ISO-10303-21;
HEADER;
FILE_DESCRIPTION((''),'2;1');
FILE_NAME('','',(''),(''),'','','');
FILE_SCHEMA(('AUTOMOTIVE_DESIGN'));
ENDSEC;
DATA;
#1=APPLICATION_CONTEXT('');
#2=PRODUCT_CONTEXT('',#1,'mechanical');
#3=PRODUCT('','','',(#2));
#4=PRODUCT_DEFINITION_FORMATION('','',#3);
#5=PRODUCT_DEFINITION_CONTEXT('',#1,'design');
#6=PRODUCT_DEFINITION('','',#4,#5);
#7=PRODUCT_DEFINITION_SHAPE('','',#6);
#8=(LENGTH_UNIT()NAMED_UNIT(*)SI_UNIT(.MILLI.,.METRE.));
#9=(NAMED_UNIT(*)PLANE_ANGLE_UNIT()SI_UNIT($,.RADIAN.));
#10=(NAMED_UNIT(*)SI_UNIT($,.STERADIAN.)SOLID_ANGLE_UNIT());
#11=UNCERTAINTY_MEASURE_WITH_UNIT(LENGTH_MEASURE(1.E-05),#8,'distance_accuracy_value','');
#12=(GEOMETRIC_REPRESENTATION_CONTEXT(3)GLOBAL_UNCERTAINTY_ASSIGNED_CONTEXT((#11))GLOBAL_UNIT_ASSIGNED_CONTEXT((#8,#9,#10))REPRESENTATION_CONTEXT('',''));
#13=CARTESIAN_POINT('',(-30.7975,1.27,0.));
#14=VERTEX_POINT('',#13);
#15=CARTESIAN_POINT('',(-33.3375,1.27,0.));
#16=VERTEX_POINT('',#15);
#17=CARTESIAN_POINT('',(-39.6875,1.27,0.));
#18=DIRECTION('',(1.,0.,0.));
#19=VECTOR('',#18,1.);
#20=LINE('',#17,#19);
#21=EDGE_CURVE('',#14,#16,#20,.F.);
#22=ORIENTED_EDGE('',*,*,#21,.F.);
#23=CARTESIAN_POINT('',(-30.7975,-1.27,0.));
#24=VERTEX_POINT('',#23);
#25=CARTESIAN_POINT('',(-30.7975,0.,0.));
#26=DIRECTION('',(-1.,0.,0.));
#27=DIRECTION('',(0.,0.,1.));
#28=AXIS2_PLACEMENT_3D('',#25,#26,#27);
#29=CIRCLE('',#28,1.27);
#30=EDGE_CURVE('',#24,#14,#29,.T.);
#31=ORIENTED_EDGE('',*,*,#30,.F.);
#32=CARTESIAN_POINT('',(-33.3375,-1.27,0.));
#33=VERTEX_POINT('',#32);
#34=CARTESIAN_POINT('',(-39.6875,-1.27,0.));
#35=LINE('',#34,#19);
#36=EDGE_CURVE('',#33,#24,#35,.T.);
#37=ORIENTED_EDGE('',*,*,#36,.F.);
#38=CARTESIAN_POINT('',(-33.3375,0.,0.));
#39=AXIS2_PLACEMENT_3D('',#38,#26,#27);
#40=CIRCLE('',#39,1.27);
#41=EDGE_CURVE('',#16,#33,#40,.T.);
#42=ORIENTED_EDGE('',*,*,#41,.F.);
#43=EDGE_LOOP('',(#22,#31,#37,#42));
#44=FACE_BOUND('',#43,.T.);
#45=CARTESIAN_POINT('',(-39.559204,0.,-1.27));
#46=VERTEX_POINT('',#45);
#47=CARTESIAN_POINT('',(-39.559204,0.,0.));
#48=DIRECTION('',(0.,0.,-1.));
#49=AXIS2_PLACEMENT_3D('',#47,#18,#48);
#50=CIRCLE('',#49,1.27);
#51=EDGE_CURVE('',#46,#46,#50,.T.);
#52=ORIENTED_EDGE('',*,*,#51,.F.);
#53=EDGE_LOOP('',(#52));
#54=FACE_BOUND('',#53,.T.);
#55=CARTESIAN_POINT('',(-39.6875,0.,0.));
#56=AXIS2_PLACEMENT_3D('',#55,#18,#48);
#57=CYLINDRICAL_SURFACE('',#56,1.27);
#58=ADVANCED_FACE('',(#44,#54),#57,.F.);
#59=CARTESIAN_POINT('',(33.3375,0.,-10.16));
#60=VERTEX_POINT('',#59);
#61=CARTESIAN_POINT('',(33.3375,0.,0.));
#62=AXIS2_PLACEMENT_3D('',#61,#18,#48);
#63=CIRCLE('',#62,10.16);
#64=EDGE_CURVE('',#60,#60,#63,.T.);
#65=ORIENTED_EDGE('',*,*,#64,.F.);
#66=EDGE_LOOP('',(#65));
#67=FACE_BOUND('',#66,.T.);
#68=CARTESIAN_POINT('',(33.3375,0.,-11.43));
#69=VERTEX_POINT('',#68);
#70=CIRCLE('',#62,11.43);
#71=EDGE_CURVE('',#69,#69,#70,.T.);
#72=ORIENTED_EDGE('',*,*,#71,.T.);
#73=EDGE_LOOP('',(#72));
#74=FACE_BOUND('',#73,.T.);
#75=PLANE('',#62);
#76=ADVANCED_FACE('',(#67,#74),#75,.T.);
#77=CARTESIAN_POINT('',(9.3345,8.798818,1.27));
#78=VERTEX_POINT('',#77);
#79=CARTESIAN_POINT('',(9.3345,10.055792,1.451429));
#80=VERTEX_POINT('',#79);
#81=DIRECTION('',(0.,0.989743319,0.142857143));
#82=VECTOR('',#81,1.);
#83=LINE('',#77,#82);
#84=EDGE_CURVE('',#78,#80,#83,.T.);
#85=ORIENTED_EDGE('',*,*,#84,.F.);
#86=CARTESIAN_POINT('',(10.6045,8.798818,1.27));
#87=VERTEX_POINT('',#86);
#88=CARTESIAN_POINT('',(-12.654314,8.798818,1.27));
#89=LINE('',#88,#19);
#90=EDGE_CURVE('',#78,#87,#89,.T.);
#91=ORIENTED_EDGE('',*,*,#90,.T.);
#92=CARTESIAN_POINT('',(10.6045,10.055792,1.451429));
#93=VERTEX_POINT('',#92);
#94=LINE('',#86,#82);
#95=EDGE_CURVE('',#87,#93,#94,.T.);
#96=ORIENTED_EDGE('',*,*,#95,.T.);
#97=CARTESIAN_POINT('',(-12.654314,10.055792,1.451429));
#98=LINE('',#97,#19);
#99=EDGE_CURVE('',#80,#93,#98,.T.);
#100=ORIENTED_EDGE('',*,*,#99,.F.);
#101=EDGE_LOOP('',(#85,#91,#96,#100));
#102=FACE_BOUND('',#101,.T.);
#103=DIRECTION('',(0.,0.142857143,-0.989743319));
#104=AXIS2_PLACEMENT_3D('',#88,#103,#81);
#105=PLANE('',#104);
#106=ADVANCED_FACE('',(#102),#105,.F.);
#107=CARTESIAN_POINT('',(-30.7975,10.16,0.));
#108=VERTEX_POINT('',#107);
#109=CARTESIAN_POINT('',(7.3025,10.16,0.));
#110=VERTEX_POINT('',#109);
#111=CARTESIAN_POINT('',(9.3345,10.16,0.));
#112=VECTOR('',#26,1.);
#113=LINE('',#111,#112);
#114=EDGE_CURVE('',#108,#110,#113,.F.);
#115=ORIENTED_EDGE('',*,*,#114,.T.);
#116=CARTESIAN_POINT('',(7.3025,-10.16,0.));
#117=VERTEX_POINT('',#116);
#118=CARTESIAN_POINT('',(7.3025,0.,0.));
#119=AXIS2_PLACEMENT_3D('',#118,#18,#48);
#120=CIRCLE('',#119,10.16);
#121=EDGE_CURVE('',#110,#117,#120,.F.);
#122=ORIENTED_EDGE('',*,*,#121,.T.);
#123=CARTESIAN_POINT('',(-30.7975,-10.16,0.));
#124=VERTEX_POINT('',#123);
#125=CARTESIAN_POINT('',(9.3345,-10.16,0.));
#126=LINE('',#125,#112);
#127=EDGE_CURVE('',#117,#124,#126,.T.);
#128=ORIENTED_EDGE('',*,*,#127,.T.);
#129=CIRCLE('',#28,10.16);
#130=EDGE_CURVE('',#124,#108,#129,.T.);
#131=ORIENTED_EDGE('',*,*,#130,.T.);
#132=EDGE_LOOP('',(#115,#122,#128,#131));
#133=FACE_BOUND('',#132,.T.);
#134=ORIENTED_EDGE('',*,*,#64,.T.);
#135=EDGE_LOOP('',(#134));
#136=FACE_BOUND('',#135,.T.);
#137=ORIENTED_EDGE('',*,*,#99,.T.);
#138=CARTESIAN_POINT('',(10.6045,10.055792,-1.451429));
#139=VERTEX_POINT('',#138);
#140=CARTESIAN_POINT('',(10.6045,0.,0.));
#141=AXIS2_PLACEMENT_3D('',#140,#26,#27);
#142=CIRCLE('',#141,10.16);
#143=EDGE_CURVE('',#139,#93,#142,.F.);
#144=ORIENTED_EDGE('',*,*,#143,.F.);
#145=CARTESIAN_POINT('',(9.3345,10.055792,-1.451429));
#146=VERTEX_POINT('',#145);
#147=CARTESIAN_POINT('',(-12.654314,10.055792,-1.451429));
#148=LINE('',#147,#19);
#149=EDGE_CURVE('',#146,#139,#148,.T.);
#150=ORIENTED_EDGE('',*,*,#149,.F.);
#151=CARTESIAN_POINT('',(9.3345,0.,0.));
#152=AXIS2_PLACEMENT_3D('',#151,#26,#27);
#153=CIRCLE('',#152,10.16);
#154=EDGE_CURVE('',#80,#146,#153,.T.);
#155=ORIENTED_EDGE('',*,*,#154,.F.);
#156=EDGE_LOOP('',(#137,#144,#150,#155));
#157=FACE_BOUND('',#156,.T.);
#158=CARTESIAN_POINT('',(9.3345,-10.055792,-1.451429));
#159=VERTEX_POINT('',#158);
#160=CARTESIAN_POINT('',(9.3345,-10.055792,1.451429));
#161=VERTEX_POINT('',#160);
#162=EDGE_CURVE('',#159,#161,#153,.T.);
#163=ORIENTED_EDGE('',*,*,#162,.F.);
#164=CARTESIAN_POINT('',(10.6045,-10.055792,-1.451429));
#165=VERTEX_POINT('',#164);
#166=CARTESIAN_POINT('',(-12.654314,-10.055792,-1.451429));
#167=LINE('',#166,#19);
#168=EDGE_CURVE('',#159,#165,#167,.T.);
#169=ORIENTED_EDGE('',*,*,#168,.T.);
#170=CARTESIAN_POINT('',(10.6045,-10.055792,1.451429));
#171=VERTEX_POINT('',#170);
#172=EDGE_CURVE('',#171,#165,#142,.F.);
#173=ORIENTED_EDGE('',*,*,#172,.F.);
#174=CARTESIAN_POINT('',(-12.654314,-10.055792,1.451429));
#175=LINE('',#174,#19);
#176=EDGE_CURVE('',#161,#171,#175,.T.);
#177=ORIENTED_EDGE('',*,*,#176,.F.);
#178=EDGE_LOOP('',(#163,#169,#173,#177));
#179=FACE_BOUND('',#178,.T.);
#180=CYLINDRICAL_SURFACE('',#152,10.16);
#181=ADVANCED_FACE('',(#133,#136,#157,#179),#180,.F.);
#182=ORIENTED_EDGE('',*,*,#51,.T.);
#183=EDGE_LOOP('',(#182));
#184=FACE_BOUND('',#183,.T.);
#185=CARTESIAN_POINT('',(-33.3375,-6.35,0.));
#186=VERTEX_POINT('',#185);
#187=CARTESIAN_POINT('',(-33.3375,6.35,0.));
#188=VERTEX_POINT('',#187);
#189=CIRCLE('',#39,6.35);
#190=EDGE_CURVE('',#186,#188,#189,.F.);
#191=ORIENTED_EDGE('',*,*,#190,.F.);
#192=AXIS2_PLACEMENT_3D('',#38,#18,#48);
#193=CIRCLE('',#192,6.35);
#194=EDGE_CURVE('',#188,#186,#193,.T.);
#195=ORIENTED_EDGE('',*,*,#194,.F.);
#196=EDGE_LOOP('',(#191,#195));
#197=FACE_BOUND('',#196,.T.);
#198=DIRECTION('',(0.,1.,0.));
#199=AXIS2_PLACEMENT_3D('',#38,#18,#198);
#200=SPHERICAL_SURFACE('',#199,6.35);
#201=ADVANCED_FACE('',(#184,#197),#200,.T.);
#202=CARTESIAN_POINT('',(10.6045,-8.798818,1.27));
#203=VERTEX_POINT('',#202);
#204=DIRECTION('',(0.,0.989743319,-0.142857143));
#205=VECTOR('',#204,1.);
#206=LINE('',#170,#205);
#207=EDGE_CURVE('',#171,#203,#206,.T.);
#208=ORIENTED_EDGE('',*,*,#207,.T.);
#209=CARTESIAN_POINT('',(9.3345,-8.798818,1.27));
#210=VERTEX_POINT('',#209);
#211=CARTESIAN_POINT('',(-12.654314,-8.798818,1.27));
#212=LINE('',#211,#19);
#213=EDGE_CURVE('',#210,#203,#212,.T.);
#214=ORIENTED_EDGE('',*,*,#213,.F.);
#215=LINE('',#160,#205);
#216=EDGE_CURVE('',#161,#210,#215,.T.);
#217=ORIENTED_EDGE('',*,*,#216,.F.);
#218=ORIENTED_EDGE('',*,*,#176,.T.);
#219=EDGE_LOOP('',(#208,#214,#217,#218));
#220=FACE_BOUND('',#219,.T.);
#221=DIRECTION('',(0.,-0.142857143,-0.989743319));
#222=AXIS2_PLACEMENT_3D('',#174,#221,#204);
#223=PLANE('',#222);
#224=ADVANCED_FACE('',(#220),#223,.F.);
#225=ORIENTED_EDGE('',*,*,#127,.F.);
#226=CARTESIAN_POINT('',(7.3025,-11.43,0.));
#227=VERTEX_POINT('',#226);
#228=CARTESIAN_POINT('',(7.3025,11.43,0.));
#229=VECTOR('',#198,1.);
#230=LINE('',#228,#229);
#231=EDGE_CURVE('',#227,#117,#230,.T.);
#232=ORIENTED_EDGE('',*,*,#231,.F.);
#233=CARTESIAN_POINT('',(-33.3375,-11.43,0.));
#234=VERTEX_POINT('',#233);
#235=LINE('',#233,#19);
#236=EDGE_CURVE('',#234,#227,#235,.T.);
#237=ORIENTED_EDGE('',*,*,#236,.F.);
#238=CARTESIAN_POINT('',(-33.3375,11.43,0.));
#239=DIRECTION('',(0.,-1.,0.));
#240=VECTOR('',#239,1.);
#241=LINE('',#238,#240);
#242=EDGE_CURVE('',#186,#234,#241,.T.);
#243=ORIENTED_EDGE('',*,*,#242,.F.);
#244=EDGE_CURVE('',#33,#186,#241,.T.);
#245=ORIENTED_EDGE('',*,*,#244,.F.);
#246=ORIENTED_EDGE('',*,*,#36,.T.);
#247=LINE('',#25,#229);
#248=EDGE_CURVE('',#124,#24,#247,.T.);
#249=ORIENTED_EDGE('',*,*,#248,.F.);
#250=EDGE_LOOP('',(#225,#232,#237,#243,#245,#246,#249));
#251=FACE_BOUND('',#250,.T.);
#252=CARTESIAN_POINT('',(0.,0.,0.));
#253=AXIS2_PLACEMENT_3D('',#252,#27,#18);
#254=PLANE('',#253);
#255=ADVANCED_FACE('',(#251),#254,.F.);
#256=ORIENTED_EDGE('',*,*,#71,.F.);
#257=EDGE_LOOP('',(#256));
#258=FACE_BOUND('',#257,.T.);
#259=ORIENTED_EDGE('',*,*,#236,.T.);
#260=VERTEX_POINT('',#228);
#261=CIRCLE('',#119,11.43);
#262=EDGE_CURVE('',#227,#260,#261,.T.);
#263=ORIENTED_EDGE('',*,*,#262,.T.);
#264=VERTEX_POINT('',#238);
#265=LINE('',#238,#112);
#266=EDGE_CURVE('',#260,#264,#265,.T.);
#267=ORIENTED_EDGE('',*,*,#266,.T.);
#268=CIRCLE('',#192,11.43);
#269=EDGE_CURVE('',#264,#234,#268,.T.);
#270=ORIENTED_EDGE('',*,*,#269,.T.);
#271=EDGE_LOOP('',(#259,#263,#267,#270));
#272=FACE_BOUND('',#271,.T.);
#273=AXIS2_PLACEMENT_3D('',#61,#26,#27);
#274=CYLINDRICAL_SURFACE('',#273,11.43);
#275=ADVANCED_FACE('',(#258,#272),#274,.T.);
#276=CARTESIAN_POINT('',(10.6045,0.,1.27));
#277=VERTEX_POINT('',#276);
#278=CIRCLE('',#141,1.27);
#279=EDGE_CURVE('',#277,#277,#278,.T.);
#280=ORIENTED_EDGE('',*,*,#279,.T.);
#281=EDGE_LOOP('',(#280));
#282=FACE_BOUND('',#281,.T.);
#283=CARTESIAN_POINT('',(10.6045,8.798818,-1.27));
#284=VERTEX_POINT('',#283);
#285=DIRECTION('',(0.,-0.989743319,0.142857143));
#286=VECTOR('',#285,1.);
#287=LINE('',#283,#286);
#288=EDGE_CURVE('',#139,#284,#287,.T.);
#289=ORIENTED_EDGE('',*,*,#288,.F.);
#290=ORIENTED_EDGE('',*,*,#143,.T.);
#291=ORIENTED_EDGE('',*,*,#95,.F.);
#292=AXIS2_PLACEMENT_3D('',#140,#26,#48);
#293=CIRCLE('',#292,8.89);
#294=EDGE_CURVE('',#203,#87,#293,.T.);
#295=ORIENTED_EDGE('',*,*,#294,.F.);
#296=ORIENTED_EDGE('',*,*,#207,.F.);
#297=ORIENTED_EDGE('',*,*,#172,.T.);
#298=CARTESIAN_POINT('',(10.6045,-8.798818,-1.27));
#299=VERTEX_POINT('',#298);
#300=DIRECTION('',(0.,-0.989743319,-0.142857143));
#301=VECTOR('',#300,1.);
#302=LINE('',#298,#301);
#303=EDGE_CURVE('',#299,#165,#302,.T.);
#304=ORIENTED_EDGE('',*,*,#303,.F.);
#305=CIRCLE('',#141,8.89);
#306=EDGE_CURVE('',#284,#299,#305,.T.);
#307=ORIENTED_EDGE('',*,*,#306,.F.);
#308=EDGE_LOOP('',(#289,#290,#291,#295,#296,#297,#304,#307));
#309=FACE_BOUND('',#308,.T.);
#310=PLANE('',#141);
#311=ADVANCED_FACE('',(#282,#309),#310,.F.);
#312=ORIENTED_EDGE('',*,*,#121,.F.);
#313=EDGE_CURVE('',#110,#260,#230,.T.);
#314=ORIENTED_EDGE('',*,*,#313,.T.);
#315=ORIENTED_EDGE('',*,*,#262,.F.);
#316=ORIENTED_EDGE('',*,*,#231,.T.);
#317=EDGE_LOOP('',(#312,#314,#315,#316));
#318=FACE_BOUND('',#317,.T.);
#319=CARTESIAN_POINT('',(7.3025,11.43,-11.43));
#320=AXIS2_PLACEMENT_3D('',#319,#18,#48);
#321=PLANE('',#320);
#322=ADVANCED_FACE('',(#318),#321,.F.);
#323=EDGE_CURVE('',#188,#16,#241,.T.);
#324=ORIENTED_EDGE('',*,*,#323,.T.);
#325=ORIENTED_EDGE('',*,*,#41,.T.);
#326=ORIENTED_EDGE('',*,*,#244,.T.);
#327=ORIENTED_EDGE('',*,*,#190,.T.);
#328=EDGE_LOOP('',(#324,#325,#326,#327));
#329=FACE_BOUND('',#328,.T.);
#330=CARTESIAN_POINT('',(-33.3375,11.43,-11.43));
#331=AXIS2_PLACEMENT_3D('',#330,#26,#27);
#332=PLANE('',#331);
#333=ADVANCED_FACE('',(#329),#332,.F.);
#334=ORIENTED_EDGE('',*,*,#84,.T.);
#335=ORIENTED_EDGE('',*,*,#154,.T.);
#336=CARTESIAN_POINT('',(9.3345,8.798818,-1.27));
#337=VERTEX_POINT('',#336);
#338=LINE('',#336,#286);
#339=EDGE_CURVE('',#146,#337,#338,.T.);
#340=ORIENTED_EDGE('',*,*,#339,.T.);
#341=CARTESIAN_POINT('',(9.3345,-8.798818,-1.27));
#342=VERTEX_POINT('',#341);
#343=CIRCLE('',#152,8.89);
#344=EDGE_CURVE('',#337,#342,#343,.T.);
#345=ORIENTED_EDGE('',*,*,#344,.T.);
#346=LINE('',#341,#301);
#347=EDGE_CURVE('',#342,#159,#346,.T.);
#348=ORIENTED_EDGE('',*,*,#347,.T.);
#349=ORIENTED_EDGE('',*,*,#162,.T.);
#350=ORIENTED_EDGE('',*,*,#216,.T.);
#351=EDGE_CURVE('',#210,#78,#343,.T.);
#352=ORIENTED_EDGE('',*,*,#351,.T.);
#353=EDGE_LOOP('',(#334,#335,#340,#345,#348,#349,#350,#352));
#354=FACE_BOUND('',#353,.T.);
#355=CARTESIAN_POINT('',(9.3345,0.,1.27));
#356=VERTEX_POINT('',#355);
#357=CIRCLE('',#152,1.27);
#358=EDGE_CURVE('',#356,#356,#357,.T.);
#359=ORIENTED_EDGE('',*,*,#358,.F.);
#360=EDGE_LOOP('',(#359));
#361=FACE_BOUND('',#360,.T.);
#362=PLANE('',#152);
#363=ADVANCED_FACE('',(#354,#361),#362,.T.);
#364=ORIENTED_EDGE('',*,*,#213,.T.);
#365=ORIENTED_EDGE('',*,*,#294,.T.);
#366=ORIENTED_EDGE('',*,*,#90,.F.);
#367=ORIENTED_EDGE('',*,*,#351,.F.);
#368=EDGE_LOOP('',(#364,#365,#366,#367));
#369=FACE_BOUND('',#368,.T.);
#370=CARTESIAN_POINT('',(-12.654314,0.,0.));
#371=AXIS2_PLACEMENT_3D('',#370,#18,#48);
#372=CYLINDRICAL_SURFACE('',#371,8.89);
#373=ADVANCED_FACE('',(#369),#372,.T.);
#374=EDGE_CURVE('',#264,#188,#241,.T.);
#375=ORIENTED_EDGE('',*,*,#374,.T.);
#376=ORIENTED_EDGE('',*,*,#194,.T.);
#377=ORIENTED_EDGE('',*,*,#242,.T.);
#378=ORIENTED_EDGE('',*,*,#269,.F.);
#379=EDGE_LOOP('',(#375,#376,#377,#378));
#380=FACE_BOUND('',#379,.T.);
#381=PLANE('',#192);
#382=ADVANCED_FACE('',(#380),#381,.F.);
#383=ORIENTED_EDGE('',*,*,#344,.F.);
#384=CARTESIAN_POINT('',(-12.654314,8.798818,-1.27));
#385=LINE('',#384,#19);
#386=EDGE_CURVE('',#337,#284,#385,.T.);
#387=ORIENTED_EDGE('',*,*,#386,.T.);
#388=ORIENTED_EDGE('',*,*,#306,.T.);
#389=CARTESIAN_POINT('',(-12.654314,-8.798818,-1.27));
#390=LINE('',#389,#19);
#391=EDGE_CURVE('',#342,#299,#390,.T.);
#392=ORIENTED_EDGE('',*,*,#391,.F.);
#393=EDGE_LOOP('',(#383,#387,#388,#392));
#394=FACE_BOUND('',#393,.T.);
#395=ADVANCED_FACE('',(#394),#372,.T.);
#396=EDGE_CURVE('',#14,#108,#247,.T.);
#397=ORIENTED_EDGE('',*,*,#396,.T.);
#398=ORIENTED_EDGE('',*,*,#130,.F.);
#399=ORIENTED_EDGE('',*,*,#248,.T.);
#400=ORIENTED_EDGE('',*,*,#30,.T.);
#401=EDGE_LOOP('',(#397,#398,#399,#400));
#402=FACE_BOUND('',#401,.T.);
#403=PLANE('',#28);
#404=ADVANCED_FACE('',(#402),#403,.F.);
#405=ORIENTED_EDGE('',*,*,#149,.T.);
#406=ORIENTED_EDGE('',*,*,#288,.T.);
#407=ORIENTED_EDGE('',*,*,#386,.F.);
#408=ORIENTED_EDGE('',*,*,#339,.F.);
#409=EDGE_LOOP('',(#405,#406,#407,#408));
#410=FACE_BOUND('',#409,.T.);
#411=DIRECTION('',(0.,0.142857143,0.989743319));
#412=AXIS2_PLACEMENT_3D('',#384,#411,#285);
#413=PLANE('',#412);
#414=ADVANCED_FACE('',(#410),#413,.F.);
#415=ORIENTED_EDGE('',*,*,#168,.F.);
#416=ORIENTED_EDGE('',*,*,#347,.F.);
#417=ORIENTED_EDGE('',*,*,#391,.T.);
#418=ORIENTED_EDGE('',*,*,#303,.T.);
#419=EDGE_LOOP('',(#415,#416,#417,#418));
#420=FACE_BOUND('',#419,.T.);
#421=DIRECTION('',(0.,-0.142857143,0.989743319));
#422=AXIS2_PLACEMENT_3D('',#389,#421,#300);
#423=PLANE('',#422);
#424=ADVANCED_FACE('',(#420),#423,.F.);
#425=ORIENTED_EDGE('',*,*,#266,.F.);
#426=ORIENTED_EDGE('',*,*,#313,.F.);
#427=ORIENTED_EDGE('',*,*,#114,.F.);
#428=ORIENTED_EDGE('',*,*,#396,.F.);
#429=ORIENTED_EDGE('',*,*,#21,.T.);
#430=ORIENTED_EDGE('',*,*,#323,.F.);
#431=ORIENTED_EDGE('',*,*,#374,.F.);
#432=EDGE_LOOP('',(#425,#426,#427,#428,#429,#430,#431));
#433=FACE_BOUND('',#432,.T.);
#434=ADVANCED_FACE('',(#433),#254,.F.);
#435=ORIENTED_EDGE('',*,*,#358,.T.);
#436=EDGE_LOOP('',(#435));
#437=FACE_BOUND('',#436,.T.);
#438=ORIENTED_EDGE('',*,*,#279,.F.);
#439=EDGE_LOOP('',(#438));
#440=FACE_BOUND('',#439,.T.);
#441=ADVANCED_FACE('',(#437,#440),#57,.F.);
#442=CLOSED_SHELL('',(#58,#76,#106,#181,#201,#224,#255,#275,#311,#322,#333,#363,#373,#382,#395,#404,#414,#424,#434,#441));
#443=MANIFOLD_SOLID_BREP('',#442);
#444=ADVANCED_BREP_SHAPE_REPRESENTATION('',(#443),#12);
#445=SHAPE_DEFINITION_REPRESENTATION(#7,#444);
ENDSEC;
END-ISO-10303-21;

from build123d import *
from build123d.topology import SkipClean

# Parameters (mm, degrees)
SKETCH1_R              = 11.43
MAIN_SHAFT_DEPTH       = 33.3375
NEEDLE_HOLE_DEPTH      = 69.606453231
NEEDLE_HOLE_DEPTH_BACK = 69.606453231
SKETCH5_R              = 1.27
SKETCH7_R              = 10.16
SYRINGE_SLOT_DEPTH     = 40.132
SPRING_START           = -22.733
SKETCH9_R              = 10.16
SPRING_SLOT_DEPTH      = 22.733
TABS_START             = -1.27
TABS_DEPTH             = 1.27
SKETCH12_W             = 40.64
SKETCH12_H             = 22.86
SYRINGE_INSERT_DEPTH   = 43.734300331


with BuildPart() as part:
    # Sketch1 → Main Shaft (new, symmetric)
    with BuildSketch(Plane(origin=(0, 0, 0), x_dir=(0, 0, -1), z_dir=(1, 0, 0))):
        Circle(SKETCH1_R)
    extrude(amount=MAIN_SHAFT_DEPTH, both=True)

    # Sketch4 → Bumpout (revolve)
    with BuildSketch(Plane.XY):
        with BuildLine():
            Line((-33.3375, 0), (-33.3375, 6.35))
            ThreePointArc((-33.3375, 6.35), (-37.827628061, 4.490128061), (-39.6875, 0))
            Line((-39.6875, 0), (-33.3375, 0))
        make_face()
    revolve(axis=Axis((88.99, 0, 0), (-1, 0, 0)))

    # Sketch5 → Needle Hole (cut, two sides: drawn at the far end of the back side and taken through both)
    with BuildSketch(Plane.ZY.offset(33.3375).offset(-NEEDLE_HOLE_DEPTH_BACK)):
        with Locations(Location((0, 0, 0), (0, 0, 180))):
            Circle(SKETCH5_R)
    extrude(amount=NEEDLE_HOLE_DEPTH + NEEDLE_HOLE_DEPTH_BACK, mode=Mode.SUBTRACT)

    # Sketch7 → Syringe Slot (cut)
    with BuildSketch(Plane.ZY.offset(30.7975)):
        Circle(SKETCH7_R)
    extrude(amount=-SYRINGE_SLOT_DEPTH, mode=Mode.SUBTRACT)

    # Sketch9 → Spring Slot (cut)
    with BuildSketch(Plane(origin=(33.3375, 0, 0), x_dir=(0, 0, -1), z_dir=(1, 0, 0)).offset(SPRING_START)):
        with Locations(Location((0, 0, 0), (0, 0, 180))):
            Circle(SKETCH9_R)
    extrude(amount=SPRING_SLOT_DEPTH, mode=Mode.SUBTRACT)

    # Sketch11 → Tabs (cut)
    with SkipClean():  # the faces are left unmerged after this step: merging them gives an invalid solid
        with BuildSketch(Plane(origin=(10.6045, 0, 0), x_dir=(0, 0, -1), z_dir=(1, 0, 0)).offset(TABS_START)):
            with BuildLine():
                Line((-1.27, 8.798818102), (-1.451428571, 10.055792117))
                ThreePointArc((-1.451428571, 10.055792117), (-10.16, 0), (-1.451428571, -10.055792117))
                Line((-1.451428571, -10.055792117), (-1.27, -8.798818102))
                ThreePointArc((-1.27, -8.798818102), (-8.89, 0), (-1.27, 8.798818102))
            make_face()
            with BuildLine():
                Line((1.27, 8.798818102), (1.451428571, 10.055792117))
                ThreePointArc((1.451428571, 10.055792117), (10.16, 0), (1.451428571, -10.055792117))
                Line((1.451428571, -10.055792117), (1.27, -8.798818102))
                ThreePointArc((1.27, -8.798818102), (8.89, 0), (1.27, 8.798818102))
            make_face()
        extrude(amount=TABS_DEPTH, mode=Mode.SUBTRACT)

    # Sketch12 → Syringe Insert (cut, through all)
    with BuildSketch(Plane.XY):
        with Locations((-13.0175, 0)):
            Rectangle(SKETCH12_W, SKETCH12_H)
    extrude(amount=-SYRINGE_INSERT_DEPTH, mode=Mode.SUBTRACT)


solid = part.part
